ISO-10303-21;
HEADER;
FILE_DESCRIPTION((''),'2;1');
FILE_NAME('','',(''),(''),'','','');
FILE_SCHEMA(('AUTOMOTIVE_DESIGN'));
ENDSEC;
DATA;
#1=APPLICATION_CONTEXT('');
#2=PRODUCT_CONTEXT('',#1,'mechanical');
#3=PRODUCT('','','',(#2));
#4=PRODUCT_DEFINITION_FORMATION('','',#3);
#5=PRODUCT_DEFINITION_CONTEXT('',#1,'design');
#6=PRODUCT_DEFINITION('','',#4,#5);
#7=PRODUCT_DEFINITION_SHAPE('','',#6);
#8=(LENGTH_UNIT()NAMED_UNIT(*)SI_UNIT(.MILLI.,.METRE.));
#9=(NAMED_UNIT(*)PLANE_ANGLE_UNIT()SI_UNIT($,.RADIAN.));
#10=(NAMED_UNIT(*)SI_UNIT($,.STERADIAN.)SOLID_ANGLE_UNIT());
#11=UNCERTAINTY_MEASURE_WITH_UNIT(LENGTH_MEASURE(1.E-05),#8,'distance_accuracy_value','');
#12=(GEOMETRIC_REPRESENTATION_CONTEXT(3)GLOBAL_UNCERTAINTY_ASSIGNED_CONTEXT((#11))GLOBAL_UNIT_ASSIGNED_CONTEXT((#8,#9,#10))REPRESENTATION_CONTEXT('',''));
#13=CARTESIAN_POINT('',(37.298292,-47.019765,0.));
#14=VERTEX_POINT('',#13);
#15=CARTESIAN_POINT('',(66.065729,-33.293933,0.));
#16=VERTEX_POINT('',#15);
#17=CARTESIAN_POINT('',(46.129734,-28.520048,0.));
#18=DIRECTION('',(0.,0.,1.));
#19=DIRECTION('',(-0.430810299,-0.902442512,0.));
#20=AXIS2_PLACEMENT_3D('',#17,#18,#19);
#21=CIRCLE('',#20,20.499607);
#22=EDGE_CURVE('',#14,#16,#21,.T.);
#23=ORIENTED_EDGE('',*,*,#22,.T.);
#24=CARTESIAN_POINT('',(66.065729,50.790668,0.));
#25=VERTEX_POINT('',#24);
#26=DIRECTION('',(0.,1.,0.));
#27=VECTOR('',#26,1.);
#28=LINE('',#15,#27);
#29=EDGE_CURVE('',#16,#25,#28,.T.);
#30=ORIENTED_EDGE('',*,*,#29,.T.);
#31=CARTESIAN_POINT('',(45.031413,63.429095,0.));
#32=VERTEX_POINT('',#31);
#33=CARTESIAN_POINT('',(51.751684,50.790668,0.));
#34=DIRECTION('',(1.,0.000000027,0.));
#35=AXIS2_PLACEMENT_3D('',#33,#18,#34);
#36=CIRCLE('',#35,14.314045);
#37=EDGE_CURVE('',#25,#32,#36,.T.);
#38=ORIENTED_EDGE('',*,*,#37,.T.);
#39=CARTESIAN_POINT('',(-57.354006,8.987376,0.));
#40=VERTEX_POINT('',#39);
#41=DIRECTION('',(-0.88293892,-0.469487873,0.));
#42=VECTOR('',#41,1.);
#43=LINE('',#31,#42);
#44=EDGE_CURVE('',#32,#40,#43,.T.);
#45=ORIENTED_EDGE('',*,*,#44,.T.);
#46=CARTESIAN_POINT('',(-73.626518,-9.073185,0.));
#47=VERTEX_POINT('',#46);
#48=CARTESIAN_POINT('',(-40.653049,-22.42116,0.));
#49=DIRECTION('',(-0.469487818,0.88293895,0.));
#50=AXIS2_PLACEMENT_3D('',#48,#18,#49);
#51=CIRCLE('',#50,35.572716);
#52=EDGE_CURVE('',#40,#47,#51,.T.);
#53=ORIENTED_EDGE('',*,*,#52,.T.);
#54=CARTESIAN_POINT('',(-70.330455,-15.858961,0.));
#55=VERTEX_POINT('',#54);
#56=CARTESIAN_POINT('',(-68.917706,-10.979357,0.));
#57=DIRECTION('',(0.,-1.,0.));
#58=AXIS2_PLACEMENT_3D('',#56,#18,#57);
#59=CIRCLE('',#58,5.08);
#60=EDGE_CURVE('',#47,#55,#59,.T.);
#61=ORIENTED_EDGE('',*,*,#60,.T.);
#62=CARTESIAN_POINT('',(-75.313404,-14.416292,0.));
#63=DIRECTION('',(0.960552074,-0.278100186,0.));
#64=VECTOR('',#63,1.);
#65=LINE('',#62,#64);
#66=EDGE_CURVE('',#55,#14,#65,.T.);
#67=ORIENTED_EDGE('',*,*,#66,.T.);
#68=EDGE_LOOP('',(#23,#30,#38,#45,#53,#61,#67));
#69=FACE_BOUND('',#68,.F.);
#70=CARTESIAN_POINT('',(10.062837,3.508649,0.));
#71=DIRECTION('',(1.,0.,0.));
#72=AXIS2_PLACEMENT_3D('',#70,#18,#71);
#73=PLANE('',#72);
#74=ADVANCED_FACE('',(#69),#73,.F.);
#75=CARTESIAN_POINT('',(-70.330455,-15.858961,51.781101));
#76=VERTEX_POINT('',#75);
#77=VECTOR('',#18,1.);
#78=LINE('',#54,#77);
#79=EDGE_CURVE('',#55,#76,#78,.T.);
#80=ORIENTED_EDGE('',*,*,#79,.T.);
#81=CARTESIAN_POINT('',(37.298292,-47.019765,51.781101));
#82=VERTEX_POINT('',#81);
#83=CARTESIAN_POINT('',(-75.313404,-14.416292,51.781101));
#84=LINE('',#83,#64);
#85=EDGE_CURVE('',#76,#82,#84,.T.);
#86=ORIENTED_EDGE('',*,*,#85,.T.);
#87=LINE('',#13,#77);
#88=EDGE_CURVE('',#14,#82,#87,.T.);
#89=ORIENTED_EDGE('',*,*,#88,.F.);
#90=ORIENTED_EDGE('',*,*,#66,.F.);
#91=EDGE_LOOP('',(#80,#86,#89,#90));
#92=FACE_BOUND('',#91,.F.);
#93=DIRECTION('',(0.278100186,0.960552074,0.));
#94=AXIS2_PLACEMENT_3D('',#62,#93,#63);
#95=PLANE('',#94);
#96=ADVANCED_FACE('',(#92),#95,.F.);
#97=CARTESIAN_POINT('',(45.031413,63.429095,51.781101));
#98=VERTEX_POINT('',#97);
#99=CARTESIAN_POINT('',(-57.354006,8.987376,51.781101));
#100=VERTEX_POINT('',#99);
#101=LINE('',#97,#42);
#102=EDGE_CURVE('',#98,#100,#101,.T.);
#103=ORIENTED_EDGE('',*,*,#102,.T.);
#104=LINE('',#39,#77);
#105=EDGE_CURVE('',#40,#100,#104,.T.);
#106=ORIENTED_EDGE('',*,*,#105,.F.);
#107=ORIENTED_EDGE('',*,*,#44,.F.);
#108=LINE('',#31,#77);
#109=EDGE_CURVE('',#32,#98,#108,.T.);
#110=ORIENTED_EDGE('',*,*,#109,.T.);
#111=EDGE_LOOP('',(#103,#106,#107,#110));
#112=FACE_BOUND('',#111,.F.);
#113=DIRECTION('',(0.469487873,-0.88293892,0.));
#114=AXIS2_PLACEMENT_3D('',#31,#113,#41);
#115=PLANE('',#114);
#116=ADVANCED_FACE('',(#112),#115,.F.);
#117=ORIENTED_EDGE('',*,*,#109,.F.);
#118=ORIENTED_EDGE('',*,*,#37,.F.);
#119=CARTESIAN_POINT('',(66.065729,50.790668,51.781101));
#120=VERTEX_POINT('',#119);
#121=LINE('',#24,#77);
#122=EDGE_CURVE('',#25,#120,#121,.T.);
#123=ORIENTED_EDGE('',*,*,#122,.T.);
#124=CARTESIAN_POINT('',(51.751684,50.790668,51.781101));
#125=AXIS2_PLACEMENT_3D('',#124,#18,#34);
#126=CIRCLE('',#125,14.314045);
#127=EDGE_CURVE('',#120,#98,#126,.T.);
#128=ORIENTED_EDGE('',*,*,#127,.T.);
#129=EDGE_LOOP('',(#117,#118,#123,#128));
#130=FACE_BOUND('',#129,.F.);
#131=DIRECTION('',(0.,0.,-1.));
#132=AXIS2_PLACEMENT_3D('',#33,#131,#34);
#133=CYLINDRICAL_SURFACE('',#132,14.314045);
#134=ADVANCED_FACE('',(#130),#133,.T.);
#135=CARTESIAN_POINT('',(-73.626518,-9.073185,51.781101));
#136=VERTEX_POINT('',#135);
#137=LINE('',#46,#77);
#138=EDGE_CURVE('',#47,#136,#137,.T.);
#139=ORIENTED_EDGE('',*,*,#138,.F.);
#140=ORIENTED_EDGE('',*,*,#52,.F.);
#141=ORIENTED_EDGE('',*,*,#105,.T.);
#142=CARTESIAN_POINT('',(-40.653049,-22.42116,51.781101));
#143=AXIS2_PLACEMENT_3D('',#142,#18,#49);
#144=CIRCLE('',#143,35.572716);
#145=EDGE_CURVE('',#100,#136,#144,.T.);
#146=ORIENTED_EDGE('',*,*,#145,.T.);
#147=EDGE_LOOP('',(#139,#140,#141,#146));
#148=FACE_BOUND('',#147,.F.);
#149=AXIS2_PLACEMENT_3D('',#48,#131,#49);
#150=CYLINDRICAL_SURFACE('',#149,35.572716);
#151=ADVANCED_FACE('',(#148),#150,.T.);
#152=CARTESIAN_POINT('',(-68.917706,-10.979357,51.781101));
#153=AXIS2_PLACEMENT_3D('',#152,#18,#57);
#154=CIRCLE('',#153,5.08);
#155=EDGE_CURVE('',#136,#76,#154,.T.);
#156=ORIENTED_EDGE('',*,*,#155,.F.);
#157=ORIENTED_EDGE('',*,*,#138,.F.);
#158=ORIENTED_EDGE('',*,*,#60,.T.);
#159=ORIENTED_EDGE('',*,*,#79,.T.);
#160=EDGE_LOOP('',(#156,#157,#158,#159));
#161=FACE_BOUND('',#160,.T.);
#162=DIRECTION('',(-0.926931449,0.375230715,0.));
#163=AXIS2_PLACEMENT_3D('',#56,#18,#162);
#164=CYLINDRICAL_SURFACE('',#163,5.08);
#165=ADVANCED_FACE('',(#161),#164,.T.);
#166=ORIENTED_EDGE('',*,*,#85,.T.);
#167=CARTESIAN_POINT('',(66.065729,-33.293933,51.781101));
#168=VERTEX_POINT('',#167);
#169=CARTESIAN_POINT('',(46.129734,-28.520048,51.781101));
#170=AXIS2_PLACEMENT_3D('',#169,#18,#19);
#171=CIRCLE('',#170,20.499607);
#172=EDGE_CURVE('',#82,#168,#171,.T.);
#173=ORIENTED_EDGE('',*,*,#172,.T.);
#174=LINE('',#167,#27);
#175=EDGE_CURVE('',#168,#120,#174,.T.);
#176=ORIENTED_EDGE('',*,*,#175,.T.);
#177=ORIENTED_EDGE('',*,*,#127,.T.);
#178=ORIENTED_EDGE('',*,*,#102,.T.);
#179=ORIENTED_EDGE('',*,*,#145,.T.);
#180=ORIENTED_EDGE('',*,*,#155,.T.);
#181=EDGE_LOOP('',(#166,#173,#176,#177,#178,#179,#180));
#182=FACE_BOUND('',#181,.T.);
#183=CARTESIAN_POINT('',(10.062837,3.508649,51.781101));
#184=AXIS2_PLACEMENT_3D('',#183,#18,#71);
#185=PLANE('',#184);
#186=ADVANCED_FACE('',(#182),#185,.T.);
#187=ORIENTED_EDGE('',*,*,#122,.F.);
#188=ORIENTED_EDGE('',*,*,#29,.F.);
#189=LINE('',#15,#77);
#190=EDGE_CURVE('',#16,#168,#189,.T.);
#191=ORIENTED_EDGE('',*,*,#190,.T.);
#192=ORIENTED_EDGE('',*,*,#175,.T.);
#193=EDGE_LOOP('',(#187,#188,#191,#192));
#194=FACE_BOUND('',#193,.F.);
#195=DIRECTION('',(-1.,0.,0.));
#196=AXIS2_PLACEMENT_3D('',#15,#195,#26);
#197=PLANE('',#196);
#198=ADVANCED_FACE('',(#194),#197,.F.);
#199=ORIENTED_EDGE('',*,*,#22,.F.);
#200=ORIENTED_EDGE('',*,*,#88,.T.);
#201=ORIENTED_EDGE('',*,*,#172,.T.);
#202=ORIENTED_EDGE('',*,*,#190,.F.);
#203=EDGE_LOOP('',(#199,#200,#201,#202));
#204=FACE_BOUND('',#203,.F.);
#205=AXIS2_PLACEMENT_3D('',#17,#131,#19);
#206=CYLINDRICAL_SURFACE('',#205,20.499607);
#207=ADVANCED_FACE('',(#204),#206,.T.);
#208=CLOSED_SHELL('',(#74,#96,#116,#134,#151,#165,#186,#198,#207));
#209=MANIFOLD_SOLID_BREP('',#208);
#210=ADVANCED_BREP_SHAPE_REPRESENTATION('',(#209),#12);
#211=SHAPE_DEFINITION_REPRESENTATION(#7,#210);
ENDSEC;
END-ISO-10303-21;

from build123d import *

# Parameters (mm, degrees)
F1_DEPTH = 51.781101
F2_R     = 5.08


with BuildPart() as f1:
    # F0 (on Top) → F1 (new body)
    with BuildSketch(Plane.XY):
        with BuildLine():
            ThreePointArc((-57.354006, 8.987376), (-68.874123, -0.765004), (-75.313404, -14.416292))
            Line((-75.313404, -14.416292), (37.298292, -47.019765))
            ThreePointArc((37.298292, -47.019765), (54.957383, -47.021575), (66.065729, -33.293933))
            Line((66.065729, -33.293933), (66.065729, 50.790668))
            ThreePointArc((66.065729, 50.790668), (59.123849, 63.060267), (45.031413, 63.429095))
            Line((45.031413, 63.429095), (-57.354006, 8.987376))
        make_face()
    extrude(amount=F1_DEPTH)

    # F2
    f2_edges = [f1.edges().sort_by_distance(p)[0] for p in [
        (-75.313404, -14.416292, 25.890551),
    ]]
    fillet(f2_edges, radius=F2_R)


solid = f1.part
